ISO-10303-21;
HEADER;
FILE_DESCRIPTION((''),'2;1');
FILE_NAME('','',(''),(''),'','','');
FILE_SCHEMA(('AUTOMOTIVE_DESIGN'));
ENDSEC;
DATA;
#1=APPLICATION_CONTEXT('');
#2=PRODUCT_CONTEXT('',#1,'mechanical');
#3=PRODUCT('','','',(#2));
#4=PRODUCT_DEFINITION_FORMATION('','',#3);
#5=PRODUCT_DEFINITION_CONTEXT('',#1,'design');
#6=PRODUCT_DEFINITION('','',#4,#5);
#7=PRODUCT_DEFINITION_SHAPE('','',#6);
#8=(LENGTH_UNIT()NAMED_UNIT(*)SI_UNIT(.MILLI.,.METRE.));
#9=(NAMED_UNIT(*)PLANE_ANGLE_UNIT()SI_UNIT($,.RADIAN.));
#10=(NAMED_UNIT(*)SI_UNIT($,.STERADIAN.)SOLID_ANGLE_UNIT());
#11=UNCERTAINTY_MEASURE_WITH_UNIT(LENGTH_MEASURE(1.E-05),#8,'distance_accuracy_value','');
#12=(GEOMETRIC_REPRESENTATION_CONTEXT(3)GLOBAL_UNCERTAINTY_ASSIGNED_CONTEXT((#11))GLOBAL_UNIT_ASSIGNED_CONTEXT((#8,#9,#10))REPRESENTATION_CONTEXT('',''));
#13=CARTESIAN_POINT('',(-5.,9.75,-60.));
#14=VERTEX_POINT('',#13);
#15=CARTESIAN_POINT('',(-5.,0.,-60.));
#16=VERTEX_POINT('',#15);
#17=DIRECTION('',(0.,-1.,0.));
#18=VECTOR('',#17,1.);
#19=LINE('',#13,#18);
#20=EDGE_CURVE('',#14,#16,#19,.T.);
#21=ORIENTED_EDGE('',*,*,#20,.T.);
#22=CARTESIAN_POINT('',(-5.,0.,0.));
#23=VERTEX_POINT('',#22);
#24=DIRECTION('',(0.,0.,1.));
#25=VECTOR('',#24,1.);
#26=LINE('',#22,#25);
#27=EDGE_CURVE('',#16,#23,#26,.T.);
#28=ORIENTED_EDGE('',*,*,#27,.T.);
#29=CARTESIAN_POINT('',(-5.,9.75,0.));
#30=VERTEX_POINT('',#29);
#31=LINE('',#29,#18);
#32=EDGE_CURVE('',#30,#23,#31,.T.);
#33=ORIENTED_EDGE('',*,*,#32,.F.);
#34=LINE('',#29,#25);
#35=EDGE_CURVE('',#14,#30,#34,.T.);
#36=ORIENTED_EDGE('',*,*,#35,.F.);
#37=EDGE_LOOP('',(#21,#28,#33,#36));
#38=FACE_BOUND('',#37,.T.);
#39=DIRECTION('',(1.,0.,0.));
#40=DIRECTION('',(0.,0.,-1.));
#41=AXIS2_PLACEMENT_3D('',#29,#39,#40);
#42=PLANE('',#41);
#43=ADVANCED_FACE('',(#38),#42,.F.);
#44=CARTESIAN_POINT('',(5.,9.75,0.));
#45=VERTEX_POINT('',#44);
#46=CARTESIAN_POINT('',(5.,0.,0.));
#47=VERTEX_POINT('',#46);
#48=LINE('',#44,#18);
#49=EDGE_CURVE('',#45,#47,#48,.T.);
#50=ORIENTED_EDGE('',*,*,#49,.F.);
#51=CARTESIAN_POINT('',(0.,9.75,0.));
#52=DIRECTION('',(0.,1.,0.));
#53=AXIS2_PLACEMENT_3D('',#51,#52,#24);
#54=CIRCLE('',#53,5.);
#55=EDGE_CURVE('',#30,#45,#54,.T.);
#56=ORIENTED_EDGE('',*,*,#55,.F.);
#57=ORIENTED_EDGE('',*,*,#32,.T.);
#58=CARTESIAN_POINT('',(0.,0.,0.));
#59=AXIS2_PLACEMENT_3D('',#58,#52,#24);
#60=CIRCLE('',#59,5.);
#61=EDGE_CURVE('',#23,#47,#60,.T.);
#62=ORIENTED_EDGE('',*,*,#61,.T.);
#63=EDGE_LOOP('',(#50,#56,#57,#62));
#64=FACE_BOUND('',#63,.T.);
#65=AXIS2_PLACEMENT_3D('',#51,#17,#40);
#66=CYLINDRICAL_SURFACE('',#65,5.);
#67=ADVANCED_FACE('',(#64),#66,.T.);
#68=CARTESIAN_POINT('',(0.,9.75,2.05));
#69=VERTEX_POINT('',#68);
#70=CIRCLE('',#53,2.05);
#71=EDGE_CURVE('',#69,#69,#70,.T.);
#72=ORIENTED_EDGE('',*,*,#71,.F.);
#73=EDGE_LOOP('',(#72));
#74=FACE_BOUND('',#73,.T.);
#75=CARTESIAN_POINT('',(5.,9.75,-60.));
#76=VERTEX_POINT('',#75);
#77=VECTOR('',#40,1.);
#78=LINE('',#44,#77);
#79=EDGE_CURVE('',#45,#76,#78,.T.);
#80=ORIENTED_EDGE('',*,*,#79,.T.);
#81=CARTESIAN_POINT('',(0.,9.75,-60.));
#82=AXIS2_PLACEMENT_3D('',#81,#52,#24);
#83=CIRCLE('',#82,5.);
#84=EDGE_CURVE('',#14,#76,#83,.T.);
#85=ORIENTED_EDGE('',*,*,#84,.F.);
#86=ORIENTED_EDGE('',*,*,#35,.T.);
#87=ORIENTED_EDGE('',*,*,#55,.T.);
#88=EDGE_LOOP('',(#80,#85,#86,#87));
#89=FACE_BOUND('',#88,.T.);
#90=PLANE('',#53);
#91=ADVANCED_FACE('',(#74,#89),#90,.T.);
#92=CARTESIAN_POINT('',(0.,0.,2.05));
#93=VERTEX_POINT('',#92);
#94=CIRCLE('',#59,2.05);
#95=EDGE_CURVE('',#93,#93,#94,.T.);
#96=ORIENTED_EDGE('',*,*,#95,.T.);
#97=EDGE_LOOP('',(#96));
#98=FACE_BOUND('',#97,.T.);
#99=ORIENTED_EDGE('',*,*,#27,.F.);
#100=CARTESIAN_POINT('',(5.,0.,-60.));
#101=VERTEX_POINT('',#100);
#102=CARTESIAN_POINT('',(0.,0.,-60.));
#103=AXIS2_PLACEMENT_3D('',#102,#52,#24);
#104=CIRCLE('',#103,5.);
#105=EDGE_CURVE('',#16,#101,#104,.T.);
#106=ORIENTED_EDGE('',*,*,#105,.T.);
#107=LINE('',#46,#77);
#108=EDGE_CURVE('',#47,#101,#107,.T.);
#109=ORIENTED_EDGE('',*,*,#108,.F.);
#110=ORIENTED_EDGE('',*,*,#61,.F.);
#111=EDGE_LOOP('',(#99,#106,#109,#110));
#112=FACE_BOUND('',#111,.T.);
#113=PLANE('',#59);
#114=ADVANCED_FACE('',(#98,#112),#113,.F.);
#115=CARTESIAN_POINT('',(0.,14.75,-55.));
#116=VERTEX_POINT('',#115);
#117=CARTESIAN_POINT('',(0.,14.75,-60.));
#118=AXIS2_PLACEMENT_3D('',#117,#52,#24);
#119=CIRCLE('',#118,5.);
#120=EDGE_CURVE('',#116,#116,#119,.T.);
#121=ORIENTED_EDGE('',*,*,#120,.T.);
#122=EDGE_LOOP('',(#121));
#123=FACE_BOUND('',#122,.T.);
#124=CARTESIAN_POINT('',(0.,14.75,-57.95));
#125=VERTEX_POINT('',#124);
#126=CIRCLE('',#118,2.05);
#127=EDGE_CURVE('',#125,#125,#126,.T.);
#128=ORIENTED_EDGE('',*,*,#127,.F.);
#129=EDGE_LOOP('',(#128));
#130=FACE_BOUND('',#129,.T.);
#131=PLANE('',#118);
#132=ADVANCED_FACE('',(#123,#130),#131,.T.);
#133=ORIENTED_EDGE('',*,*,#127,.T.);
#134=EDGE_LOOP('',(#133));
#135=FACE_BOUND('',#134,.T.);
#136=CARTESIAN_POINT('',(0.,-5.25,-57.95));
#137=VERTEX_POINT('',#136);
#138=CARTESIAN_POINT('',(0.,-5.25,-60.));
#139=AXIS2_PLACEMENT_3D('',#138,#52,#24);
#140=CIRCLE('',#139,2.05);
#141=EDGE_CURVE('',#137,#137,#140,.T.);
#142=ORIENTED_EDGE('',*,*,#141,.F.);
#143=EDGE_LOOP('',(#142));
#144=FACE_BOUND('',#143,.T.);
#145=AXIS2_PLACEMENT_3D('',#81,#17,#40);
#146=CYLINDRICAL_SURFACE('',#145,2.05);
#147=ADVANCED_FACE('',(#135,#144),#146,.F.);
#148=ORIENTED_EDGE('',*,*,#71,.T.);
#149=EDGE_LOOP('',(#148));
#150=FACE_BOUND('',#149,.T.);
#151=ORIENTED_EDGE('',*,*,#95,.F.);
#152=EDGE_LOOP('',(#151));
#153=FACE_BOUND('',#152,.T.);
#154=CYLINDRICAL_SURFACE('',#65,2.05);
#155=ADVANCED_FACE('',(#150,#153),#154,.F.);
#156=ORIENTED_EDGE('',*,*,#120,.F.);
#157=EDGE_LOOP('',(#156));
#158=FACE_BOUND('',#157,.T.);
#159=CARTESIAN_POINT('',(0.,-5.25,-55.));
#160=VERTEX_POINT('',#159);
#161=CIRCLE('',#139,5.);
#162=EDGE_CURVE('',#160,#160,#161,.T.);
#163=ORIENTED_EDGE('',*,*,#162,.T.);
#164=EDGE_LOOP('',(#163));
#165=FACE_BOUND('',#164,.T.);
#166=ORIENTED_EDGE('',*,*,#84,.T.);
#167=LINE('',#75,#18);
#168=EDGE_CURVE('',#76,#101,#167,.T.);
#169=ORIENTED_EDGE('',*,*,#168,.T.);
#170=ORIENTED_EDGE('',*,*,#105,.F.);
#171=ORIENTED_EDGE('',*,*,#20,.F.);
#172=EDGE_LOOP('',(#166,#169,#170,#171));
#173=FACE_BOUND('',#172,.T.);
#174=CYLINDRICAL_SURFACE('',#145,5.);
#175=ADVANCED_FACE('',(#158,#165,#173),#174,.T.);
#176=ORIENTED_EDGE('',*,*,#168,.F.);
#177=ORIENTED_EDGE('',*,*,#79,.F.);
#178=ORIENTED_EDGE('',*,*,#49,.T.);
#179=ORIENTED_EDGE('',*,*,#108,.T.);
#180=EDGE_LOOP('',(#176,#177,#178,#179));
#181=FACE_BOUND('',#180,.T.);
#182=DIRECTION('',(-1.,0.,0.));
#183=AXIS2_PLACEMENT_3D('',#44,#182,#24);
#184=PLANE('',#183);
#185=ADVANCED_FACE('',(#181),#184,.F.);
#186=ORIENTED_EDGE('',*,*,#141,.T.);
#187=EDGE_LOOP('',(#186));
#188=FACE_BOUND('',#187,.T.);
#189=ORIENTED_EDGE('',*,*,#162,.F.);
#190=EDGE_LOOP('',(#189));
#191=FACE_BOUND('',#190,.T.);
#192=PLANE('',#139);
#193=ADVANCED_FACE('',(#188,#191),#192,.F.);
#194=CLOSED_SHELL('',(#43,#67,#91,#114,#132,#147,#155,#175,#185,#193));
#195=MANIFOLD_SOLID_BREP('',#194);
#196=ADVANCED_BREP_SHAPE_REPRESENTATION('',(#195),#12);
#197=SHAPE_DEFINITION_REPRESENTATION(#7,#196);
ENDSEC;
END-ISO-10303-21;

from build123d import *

# Parameters (mm, degrees)
ESQUISSE1_R             = 2.05
BOSS_EXTRU_1_DEPTH      = 9.75
BOSS_EXTRU_2_DEPTH      = 5
BOSS_EXTRU_2_DEPTH_BACK = 15
ESQUISSE2_R             = 5
ESQUISSE2_R_2           = 2.05


with BuildPart() as part:
    # Esquisse1 → Boss.-Extru.1 (new body)
    with BuildSketch(Plane(origin=(0, 0, 0), x_dir=(1, 0, 0), z_dir=(0, 1, 0))):
        with BuildLine():
            Line((-5, 0), (-5, 60))
            ThreePointArc((-5, 60), (0, 65), (5, 60))
            Line((5, 60), (5, 0))
            ThreePointArc((5, 0), (0, -5), (-5, 0))
        make_face()
        with Locations(Location((0, 60, 0), (0, 0, 270))):
            Circle(ESQUISSE1_R, mode=Mode.SUBTRACT)
        with Locations(Location((0, 0, 0), (0, 0, 270))):
            Circle(ESQUISSE1_R, mode=Mode.SUBTRACT)
    extrude(amount=BOSS_EXTRU_1_DEPTH)

    # Esquisse2 → Boss.-Extru.2 (add, two sides: drawn at the far end of the back side and taken through both)
    with BuildSketch(Plane(origin=(0, 9.75, 0), x_dir=(1, 0, 0), z_dir=(0, 1, 0)).offset(-BOSS_EXTRU_2_DEPTH_BACK)):
        with Locations(Location((0, 60, 0), (0, 0, 270))):
            Circle(ESQUISSE2_R)
        with Locations(Location((0, 60, 0), (0, 0, 270))):
            Circle(ESQUISSE2_R_2, mode=Mode.SUBTRACT)
    extrude(amount=BOSS_EXTRU_2_DEPTH + BOSS_EXTRU_2_DEPTH_BACK)


solid = part.part
